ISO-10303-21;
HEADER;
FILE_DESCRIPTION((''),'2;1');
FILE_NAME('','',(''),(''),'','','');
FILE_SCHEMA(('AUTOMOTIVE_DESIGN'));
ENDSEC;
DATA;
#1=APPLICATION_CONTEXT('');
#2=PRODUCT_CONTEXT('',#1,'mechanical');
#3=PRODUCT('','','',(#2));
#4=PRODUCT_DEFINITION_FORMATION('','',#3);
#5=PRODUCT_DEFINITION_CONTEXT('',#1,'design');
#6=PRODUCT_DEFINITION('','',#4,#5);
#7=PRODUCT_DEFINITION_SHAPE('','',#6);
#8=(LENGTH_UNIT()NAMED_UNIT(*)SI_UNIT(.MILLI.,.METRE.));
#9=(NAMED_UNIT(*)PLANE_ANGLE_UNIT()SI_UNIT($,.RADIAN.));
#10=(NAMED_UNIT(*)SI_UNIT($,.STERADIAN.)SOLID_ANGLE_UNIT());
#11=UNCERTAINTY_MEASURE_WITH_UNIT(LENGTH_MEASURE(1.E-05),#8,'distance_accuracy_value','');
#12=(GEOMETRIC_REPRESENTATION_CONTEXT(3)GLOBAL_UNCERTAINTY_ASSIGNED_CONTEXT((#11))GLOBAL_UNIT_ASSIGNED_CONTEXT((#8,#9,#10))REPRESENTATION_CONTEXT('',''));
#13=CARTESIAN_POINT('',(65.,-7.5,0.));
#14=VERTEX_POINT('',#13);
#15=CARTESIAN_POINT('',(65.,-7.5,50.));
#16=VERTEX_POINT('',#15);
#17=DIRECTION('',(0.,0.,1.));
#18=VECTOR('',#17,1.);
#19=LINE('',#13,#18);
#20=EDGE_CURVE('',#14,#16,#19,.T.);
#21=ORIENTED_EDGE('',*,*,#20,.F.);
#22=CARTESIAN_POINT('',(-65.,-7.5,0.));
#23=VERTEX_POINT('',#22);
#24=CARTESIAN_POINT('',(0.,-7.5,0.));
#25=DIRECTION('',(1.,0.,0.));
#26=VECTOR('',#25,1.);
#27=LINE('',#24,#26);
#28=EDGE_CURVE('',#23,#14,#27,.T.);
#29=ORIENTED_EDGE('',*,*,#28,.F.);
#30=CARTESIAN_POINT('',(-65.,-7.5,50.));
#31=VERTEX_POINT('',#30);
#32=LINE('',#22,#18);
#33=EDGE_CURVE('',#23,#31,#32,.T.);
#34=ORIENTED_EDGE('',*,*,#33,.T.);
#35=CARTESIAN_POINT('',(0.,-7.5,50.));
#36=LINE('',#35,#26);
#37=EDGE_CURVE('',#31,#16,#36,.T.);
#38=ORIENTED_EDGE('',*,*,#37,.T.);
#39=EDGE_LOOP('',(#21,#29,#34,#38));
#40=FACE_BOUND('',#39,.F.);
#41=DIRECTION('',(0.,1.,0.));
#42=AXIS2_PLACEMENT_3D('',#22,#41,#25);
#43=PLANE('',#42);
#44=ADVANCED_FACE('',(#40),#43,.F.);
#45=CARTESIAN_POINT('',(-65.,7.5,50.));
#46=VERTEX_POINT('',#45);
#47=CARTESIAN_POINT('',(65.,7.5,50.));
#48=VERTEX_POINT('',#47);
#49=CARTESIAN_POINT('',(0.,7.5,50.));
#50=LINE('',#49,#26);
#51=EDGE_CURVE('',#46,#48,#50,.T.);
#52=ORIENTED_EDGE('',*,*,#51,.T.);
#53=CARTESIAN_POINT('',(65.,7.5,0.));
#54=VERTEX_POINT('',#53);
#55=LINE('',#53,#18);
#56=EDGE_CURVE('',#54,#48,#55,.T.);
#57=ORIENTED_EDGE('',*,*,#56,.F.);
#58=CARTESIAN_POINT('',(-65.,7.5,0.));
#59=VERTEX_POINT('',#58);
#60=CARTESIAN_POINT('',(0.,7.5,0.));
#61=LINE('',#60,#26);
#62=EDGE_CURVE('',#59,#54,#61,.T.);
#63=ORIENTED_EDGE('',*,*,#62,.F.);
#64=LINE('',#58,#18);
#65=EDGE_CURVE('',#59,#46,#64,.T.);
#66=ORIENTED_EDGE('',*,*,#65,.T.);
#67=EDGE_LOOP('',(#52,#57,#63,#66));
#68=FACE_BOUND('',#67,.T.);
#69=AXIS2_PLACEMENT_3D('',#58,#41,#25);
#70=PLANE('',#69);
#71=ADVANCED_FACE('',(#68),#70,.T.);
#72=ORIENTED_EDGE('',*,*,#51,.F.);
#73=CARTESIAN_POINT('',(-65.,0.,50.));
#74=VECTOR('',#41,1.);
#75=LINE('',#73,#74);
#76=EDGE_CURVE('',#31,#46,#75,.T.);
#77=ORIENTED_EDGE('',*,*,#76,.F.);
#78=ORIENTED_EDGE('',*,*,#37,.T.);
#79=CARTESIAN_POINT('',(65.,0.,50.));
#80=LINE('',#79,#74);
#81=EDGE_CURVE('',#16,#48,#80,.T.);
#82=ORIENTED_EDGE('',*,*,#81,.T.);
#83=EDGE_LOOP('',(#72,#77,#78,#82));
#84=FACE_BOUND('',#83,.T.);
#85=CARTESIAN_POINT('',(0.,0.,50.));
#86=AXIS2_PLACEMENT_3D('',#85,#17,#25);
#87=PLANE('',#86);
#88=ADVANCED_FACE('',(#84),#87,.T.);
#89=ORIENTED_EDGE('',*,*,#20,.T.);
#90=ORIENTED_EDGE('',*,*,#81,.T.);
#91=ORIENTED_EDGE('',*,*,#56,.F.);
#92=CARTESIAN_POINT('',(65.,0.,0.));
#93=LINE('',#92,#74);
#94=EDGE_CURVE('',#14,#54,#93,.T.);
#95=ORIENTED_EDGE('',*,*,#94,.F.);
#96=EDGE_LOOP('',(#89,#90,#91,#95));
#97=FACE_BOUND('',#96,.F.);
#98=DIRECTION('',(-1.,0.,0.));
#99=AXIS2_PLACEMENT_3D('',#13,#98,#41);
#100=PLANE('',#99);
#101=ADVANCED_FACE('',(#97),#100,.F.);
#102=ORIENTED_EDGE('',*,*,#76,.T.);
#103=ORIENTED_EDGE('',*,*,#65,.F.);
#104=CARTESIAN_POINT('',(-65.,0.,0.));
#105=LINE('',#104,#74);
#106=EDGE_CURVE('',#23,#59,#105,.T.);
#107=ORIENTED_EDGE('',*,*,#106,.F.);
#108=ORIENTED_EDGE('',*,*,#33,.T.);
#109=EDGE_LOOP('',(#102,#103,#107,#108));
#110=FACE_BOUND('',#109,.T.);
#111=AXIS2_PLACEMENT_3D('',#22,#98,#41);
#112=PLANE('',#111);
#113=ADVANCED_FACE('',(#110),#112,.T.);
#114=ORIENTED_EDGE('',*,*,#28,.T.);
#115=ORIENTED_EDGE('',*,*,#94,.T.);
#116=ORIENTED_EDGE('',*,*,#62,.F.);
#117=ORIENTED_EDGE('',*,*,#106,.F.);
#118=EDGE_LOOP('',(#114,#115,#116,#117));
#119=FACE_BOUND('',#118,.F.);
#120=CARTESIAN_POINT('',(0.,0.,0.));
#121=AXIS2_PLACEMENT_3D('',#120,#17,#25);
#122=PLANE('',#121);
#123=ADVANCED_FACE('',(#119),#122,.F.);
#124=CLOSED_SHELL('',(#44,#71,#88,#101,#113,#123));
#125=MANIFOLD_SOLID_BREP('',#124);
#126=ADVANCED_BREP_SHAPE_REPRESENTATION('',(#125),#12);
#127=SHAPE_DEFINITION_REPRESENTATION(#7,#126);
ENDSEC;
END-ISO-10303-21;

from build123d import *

# Parameters (mm, degrees)
SKETCH_W      = 130
SKETCH_H      = 15
EXTRUDE_DEPTH = 50


with BuildPart() as part:
    # Sketch → Extrude (new body)
    with BuildSketch(Plane.XY):
        Rectangle(SKETCH_W, SKETCH_H)
    extrude(amount=EXTRUDE_DEPTH)


solid = part.part
